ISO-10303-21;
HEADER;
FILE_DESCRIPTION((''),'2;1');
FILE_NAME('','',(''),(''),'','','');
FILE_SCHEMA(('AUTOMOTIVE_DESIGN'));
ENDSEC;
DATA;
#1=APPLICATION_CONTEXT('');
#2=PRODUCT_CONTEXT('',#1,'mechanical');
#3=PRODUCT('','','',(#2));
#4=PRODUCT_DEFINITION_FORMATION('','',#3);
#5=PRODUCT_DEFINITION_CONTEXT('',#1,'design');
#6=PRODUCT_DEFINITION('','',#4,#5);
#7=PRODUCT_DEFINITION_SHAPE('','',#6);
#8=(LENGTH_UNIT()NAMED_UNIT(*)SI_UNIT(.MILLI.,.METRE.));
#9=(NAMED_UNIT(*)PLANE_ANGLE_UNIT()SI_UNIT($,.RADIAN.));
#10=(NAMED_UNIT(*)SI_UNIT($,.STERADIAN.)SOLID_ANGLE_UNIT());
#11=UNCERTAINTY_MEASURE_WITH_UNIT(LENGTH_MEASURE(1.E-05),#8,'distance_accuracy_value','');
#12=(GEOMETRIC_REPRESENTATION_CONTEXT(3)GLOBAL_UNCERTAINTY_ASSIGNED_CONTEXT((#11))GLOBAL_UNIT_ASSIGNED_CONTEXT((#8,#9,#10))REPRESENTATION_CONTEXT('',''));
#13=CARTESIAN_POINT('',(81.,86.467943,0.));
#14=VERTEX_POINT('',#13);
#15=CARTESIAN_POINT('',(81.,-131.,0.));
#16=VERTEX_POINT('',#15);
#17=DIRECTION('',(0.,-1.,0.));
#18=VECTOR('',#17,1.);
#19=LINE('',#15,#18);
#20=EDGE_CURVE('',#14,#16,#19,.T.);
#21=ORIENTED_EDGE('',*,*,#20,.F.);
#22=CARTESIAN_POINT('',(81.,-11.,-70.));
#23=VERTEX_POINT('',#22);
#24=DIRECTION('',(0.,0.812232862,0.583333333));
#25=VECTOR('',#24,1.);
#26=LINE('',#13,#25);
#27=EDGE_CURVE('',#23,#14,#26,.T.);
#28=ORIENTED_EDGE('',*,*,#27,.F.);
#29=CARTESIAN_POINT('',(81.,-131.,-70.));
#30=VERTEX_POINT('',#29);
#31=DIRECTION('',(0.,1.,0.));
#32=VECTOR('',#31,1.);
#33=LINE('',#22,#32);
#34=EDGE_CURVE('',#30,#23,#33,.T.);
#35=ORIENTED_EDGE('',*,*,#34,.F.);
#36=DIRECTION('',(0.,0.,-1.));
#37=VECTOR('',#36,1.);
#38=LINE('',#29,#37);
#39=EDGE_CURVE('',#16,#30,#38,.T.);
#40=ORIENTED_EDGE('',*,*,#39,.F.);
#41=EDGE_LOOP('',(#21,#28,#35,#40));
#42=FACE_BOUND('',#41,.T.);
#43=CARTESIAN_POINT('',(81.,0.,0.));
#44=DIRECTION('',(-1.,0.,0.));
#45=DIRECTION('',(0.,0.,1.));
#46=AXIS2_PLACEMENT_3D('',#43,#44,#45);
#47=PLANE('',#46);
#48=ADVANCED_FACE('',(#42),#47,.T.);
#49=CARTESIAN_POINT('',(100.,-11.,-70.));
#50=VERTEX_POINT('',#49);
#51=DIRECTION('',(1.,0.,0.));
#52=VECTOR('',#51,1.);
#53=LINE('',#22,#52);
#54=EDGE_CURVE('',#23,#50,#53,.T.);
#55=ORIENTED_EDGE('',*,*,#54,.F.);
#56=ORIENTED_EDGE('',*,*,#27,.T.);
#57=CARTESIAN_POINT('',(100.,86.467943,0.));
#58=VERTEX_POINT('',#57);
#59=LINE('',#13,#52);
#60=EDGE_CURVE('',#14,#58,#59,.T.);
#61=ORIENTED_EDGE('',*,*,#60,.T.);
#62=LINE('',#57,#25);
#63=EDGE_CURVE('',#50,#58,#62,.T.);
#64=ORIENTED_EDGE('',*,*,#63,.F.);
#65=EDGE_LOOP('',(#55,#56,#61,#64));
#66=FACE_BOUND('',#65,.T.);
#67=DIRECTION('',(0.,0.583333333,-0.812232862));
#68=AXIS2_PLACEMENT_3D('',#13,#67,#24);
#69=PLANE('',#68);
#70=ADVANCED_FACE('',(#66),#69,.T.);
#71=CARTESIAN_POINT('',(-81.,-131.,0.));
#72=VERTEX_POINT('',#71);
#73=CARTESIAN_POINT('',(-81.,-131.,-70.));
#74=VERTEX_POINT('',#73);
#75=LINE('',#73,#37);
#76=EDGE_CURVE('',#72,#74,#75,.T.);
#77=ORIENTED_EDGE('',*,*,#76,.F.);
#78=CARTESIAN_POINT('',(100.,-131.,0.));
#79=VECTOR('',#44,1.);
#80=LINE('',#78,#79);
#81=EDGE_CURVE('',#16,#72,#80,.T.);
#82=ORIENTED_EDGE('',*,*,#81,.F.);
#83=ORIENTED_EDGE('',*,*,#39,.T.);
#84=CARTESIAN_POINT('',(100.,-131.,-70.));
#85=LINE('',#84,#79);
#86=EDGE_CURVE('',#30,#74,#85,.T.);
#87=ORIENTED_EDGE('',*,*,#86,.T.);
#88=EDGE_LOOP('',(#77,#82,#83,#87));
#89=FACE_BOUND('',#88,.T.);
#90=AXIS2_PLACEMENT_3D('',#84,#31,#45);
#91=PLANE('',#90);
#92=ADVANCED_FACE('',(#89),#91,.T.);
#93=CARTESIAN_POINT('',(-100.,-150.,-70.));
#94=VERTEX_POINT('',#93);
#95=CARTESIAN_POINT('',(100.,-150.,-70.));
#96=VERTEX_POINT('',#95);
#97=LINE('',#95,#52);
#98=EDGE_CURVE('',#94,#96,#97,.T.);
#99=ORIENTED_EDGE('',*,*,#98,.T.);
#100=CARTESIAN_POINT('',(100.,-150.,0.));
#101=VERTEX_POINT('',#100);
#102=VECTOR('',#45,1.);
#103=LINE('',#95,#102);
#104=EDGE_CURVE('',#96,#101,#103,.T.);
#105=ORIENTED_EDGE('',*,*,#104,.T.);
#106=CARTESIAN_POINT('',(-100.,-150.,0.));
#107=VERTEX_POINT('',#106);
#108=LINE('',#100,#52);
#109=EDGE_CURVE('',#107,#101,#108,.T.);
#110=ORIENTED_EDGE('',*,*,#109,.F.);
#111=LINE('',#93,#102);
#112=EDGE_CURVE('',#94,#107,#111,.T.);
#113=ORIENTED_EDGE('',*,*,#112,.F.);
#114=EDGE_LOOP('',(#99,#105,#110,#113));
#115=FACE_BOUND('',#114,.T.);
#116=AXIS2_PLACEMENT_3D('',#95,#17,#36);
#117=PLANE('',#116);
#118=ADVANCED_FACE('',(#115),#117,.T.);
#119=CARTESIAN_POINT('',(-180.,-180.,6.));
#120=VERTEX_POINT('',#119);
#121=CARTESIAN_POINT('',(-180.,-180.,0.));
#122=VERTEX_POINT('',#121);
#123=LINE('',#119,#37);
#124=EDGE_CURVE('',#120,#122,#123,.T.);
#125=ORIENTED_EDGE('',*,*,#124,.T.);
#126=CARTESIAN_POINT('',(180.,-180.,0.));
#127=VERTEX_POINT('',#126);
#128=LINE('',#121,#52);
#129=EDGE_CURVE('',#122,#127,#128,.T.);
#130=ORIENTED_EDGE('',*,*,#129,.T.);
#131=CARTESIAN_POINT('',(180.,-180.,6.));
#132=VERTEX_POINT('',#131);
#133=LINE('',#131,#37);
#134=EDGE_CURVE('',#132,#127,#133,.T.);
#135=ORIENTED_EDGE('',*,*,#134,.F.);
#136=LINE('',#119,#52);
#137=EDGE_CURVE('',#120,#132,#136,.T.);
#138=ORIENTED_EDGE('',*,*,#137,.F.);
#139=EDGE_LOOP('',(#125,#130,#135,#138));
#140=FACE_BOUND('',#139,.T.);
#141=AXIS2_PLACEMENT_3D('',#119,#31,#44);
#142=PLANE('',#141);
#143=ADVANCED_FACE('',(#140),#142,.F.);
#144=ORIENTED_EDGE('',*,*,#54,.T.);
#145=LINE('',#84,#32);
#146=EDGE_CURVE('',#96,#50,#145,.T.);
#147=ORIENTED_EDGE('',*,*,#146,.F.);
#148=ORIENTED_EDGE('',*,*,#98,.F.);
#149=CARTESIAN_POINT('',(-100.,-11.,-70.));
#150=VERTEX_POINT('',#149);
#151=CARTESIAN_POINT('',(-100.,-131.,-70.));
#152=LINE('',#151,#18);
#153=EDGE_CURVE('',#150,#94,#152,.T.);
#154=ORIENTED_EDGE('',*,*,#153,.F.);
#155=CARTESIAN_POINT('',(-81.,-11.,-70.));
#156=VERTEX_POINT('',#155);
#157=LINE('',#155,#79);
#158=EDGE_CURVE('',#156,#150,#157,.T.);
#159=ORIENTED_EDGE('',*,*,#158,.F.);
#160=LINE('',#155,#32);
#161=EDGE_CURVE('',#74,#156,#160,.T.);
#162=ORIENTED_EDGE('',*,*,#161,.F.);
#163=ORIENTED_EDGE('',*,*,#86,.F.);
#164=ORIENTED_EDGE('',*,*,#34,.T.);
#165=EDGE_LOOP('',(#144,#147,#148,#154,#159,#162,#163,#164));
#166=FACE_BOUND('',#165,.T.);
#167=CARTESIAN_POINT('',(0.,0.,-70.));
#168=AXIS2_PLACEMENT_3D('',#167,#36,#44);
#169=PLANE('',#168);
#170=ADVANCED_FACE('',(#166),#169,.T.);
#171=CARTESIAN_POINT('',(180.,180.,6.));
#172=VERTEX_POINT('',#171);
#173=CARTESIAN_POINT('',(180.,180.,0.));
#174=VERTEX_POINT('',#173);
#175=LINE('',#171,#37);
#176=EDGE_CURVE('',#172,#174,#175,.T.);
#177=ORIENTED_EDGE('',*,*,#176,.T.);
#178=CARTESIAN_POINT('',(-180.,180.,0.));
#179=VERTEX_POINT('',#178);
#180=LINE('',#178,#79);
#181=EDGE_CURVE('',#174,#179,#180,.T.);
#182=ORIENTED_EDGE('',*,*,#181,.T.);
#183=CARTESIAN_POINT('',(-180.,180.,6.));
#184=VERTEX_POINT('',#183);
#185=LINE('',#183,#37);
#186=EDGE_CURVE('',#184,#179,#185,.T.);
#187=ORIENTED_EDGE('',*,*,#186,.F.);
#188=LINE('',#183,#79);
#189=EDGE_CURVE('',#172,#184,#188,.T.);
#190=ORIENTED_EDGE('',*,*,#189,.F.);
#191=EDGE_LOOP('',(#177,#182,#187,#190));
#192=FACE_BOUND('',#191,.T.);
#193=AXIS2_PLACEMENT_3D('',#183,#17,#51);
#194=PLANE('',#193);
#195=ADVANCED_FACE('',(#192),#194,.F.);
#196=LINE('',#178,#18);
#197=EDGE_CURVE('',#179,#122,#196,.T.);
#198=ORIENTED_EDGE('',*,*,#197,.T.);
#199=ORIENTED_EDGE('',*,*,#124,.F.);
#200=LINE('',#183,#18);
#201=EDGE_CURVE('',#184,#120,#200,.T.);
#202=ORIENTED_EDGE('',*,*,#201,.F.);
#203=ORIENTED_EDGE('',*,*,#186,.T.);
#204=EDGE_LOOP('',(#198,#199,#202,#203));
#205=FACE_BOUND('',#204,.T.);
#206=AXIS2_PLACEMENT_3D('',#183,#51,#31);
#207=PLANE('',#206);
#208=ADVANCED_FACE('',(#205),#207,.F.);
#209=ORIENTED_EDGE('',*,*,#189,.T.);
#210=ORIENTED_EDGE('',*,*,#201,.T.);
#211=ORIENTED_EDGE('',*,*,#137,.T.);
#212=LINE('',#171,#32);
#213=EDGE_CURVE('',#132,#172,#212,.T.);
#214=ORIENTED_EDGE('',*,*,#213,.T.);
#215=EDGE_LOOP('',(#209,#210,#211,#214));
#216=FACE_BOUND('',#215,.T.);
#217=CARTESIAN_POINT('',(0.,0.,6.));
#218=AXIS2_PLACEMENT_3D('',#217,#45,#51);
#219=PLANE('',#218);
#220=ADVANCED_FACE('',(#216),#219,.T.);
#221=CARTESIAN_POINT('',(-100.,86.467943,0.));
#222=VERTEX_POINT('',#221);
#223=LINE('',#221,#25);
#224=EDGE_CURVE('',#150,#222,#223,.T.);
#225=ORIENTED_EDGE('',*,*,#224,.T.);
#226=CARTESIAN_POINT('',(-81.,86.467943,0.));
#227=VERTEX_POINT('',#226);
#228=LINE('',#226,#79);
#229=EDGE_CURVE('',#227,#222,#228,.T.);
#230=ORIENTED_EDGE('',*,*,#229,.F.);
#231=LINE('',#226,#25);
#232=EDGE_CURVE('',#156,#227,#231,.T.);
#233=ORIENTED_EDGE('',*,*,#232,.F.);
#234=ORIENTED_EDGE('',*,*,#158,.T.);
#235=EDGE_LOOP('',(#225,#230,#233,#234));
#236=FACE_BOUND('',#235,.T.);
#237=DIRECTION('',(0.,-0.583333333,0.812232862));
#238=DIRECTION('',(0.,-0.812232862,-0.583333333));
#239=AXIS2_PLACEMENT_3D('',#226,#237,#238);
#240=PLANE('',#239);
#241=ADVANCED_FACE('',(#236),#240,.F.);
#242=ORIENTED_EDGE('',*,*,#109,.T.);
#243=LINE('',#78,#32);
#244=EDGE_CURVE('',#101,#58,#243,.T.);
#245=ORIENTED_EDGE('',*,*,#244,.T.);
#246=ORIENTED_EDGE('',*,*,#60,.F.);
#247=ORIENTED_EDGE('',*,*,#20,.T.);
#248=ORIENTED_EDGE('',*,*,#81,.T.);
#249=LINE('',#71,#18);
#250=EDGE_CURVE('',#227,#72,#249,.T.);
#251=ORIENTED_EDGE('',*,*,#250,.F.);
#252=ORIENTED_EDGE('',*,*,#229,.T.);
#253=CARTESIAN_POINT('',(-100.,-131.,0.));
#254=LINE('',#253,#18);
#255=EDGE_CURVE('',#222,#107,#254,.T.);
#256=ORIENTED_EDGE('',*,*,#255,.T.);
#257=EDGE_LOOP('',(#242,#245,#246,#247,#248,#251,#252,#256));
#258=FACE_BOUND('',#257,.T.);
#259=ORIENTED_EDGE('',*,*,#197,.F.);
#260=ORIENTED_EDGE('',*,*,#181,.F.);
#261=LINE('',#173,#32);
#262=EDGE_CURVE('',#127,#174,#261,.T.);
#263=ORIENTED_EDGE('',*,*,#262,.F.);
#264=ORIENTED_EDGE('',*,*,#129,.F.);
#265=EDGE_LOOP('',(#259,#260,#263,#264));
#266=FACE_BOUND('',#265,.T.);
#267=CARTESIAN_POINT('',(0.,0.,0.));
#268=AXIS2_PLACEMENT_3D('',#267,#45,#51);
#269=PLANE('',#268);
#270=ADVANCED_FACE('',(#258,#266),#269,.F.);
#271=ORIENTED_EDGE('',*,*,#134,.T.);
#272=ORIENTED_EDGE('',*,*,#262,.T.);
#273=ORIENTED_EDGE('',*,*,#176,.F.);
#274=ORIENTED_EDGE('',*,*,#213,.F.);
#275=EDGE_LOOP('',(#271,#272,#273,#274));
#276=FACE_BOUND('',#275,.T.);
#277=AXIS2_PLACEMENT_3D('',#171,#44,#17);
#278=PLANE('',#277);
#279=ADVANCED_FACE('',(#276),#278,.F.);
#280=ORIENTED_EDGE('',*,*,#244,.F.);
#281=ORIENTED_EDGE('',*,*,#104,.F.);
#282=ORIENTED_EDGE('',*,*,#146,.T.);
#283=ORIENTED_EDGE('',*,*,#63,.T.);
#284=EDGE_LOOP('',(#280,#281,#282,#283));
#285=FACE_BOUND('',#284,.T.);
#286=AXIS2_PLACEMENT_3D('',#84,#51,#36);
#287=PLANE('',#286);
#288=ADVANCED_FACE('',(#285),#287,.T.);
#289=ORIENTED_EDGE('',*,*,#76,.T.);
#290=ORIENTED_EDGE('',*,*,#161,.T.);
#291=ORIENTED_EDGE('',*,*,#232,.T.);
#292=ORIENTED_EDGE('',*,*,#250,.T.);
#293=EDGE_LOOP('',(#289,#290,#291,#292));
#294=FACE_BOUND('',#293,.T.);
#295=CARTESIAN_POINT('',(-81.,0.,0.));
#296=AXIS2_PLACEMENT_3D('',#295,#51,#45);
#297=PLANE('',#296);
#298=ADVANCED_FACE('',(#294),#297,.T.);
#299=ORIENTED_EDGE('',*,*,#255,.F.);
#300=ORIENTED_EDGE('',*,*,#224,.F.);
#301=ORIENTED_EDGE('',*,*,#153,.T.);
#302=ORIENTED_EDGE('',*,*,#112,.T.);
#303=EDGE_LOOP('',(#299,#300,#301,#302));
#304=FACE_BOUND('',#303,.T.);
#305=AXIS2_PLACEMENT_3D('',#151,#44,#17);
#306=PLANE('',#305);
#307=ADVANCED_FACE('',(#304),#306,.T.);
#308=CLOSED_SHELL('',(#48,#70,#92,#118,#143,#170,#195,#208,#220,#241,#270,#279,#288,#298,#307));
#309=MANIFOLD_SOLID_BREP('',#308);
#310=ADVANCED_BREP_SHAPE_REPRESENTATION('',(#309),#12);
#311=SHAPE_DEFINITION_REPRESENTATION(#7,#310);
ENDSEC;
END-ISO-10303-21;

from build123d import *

# Parameters (mm, degrees)
SKETCH1_W           = 360
SKETCH1_H           = 360
BOSS_EXTRUDE1_DEPTH = 6
SKETCH2_W           = 200
SKETCH2_H           = 19
BOSS_EXTRUDE2_DEPTH = 70
BOSS_EXTRUDE3_DEPTH = 19


with BuildPart() as part:
    # Sketch1 → Boss-Extrude1 (new body)
    with BuildSketch(Plane.XY):
        Rectangle(SKETCH1_W, SKETCH1_H)
    extrude(amount=BOSS_EXTRUDE1_DEPTH)

    # Sketch2 → Boss-Extrude2 (add)
    with BuildSketch(Plane.XY):
        with Locations((0, -140.5)):
            Rectangle(SKETCH2_W, SKETCH2_H)
    extrude(amount=-BOSS_EXTRUDE2_DEPTH)

    # Sketch3 → Boss-Extrude3 (add)
    with BuildSketch(Plane(origin=(100, 0, 0), x_dir=(0, 0, -1), z_dir=(1, 0, 0))):
        Polygon((0, -131), (0, 86.467943448), (70, -11), (70, -131), align=None)
    boss_extrude3 = extrude(amount=-BOSS_EXTRUDE3_DEPTH)

    # Mirror1: Boss-Extrude3 across plane
    add(boss_extrude3.mirror(Plane(origin=(0, 0, 0), x_dir=(0, 0, 1), z_dir=(1, 0, 0))))


solid = part.part
